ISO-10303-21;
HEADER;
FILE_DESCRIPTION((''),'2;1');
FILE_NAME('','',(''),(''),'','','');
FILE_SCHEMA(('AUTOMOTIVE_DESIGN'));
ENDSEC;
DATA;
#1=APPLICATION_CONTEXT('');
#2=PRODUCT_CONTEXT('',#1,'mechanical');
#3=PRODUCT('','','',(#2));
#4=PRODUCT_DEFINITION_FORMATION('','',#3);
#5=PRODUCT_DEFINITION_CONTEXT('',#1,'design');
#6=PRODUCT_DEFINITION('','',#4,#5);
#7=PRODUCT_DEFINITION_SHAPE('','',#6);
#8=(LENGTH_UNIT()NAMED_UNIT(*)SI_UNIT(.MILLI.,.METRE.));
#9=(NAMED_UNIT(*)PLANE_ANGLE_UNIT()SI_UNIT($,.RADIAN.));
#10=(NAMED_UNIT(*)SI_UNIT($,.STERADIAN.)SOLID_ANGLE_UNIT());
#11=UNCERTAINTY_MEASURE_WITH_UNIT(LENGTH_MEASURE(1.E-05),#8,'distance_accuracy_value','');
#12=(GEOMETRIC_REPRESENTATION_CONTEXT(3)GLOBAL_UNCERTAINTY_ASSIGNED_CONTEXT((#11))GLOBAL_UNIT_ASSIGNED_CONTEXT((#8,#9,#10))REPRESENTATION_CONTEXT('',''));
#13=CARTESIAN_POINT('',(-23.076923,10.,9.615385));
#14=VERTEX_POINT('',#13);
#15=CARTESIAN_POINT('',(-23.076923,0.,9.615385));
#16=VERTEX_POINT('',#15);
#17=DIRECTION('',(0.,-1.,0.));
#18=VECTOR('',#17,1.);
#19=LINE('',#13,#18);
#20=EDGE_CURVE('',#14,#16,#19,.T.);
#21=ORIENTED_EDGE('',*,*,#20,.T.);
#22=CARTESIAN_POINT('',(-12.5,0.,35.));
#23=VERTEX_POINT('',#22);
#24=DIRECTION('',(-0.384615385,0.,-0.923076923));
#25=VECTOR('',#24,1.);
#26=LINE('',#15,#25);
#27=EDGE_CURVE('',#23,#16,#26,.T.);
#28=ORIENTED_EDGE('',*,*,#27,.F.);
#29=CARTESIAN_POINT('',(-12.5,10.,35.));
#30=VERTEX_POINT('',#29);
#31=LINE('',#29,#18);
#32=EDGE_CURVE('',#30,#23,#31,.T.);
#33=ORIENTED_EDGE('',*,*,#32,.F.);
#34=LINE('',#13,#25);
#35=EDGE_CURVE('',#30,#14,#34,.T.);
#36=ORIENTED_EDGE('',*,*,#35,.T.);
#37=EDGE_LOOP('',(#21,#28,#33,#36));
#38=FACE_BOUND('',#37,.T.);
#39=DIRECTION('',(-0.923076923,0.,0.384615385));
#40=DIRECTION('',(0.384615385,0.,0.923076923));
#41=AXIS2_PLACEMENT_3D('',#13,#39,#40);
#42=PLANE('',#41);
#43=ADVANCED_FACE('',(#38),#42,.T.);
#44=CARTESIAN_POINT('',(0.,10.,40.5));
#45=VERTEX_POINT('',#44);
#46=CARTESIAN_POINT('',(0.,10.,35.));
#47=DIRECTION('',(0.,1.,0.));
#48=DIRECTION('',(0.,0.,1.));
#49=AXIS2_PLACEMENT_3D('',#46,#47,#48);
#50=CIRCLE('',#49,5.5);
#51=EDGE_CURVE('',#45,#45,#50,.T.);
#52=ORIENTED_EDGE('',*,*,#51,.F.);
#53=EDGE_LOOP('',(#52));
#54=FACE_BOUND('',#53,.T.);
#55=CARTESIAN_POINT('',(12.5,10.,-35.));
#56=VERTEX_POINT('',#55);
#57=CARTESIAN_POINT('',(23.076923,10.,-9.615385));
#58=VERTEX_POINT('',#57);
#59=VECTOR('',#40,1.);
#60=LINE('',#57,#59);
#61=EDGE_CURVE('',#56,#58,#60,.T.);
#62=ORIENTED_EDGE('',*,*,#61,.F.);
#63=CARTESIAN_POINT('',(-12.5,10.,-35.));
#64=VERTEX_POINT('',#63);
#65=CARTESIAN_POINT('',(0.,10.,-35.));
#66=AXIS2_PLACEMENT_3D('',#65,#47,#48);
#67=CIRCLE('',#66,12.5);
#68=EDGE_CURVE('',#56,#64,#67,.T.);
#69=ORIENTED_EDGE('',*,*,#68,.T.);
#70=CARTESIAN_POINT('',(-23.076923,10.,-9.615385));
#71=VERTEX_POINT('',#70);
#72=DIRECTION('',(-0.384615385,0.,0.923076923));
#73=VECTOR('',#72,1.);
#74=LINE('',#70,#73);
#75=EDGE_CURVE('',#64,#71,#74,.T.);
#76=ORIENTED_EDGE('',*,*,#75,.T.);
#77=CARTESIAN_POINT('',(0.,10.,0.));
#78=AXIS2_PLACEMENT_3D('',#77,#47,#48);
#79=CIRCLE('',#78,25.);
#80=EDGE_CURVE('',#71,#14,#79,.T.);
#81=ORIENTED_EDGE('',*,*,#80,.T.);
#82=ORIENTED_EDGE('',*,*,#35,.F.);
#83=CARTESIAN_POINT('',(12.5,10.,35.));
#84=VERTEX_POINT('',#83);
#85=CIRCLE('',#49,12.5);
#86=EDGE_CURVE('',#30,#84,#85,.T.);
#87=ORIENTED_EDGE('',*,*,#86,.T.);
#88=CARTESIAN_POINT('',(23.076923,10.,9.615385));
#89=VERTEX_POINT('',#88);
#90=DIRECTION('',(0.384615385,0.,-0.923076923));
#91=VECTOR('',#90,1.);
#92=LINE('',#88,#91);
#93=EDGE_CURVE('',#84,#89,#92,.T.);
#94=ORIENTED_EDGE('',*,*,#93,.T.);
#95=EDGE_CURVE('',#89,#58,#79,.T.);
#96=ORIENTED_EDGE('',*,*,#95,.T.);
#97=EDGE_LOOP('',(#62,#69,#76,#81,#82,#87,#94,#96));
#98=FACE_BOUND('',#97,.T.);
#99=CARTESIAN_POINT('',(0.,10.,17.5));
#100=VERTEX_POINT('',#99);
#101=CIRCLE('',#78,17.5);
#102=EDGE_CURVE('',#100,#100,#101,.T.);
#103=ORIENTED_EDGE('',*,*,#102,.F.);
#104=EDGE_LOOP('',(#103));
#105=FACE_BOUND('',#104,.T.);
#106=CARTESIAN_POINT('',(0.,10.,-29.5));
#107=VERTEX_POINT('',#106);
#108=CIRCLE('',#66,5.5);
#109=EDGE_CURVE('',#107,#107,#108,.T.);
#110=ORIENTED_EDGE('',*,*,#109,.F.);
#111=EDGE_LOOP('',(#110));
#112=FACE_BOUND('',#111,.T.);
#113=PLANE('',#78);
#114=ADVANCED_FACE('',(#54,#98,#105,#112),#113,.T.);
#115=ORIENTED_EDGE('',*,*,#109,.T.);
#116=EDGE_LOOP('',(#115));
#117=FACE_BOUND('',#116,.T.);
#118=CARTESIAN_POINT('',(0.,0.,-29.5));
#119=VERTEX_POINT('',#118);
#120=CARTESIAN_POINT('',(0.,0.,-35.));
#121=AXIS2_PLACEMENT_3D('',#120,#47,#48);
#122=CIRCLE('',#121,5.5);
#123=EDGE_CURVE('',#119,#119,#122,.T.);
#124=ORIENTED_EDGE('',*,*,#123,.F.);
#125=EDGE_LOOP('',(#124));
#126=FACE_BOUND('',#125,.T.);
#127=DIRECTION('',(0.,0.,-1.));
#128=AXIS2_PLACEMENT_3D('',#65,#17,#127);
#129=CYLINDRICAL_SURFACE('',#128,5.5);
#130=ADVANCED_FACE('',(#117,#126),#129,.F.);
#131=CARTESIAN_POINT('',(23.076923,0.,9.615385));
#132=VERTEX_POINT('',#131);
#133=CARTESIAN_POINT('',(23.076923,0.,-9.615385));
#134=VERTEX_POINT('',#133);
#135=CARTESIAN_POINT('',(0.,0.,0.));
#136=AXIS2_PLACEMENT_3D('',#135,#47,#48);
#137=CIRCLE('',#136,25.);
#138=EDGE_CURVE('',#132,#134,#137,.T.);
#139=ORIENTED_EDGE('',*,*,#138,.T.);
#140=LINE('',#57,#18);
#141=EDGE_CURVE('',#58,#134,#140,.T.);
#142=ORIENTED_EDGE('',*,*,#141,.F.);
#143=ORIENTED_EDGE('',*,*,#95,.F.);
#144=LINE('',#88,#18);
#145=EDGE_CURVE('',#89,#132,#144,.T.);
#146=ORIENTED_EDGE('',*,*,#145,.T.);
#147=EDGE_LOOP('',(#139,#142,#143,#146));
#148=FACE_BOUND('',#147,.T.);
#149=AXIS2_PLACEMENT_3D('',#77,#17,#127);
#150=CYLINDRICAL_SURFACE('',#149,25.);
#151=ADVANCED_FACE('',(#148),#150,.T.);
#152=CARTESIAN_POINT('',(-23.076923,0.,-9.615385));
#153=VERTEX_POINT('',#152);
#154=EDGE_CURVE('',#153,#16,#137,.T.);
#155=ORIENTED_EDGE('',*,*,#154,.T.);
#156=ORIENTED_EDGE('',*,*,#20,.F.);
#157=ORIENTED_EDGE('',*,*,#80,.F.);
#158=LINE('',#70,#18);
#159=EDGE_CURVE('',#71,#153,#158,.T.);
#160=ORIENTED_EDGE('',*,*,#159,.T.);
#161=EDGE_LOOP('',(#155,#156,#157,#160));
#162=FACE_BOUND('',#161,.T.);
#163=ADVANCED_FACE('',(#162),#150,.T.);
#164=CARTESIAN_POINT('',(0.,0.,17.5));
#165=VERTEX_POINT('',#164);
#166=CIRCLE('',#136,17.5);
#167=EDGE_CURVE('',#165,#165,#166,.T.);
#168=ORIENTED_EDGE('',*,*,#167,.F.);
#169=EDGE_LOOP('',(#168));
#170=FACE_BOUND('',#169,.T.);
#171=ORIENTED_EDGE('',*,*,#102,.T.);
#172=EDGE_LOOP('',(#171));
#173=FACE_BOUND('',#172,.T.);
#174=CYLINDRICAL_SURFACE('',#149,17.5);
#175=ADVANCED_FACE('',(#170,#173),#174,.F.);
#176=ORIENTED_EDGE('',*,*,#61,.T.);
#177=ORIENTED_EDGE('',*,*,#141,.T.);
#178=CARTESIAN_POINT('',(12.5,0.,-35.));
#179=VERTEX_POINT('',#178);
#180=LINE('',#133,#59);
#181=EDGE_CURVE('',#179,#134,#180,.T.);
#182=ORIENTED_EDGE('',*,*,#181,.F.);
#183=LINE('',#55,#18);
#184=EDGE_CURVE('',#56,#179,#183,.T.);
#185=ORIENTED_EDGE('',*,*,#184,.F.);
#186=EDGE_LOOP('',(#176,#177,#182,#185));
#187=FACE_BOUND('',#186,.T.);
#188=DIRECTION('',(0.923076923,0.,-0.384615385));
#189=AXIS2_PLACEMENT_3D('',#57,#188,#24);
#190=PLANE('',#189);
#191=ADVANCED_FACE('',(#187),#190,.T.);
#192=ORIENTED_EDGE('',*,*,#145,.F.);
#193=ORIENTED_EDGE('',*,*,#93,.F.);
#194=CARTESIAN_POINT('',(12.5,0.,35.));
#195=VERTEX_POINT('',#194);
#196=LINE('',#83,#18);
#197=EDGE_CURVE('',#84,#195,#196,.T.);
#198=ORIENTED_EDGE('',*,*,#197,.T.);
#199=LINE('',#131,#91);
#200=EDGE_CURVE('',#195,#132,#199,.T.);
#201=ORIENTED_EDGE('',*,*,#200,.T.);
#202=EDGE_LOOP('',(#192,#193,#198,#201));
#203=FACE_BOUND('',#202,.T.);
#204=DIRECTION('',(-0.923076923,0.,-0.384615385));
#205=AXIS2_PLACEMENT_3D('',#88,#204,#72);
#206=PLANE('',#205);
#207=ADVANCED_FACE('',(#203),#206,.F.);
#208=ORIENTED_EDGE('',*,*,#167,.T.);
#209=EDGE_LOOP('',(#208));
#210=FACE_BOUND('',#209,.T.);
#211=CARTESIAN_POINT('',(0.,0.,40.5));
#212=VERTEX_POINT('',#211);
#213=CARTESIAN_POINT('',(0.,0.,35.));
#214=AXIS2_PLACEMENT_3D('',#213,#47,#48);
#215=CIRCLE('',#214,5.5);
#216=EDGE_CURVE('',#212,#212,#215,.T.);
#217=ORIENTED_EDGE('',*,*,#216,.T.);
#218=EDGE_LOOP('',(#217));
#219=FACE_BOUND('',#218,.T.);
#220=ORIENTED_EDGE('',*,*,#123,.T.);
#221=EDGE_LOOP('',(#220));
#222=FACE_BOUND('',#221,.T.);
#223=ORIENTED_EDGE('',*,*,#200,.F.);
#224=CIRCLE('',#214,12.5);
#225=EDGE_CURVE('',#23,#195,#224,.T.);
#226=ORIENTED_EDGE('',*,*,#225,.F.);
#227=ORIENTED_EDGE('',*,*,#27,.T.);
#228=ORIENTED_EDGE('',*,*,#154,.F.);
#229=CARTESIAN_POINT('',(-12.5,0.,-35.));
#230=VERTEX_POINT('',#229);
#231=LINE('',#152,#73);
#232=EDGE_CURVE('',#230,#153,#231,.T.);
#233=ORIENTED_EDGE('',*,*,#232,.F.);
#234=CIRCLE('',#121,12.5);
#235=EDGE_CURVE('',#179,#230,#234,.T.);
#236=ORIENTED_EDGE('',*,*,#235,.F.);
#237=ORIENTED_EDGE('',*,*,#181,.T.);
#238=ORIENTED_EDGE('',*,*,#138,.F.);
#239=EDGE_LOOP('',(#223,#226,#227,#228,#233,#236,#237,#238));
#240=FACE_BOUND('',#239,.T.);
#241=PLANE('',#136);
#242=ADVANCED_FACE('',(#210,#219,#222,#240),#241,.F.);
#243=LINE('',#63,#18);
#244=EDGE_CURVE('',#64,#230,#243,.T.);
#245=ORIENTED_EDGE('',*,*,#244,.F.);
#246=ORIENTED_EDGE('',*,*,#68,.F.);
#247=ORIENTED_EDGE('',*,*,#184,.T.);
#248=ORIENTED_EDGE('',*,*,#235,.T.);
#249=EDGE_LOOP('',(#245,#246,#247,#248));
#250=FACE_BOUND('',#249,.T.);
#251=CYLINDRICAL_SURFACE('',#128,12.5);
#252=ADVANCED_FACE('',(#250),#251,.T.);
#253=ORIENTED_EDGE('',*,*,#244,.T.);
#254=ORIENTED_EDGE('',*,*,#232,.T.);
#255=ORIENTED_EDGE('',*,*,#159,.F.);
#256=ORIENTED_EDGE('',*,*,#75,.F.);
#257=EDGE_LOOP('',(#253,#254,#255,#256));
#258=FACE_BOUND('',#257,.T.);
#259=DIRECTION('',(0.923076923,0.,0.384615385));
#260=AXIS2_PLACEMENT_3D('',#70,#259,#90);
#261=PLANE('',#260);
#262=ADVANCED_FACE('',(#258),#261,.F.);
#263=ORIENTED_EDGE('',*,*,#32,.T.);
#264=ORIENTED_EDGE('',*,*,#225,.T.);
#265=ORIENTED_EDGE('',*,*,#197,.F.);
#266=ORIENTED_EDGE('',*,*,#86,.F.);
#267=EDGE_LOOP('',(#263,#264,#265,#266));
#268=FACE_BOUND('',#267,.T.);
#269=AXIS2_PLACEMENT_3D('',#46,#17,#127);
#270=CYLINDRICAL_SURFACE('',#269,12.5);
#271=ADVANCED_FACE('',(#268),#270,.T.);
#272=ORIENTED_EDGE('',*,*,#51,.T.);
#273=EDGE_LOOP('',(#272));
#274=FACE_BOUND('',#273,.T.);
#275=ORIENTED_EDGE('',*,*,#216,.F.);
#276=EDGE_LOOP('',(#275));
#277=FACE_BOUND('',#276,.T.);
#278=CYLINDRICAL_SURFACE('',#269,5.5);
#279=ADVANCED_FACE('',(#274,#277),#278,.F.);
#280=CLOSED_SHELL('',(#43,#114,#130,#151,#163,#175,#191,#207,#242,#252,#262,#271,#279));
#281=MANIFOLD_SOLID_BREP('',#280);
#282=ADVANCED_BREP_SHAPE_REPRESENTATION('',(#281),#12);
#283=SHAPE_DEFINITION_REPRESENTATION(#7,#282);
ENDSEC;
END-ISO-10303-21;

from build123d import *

# Parameters (mm, degrees)
SKETCH2_R           = 20
SKETCH2_R_2         = 5.5
SKETCH2_R_3         = 17.5
BOSS_EXTRUDE3_DEPTH = 10


with BuildPart() as part:
    # Sketch2 → Boss-Extrude3 (new body)
    # profile 1 of 2: a face of its own
    with BuildSketch(Plane(origin=(0, 0, 0), x_dir=(1, 0, 0), z_dir=(0, 1, 0))):
        with BuildLine():
            Line((-12.5, 35), (-23.076923077, 9.615384615))
            ThreePointArc((-23.076923077, 9.615384615), (-25, 0), (-23.076923077, -9.615384615))
            Line((-23.076923077, -9.615384615), (-12.5, -35))
            ThreePointArc((-12.5, -35), (0, -47.5), (12.5, -35))
            Line((12.5, -35), (23.076923077, -9.615384615))
            ThreePointArc((23.076923077, -9.615384615), (25, 0), (23.076923077, 9.615384615))
            Line((23.076923077, 9.615384615), (12.5, 35))
            ThreePointArc((12.5, 35), (0, 47.5), (-12.5, 35))
        make_face()
        Circle(SKETCH2_R, mode=Mode.SUBTRACT)
        with Locations(Location((0, 35, 0), (0, 0, 270))):
            Circle(SKETCH2_R_2, mode=Mode.SUBTRACT)
        with Locations(Location((0, -35, 0), (0, 0, 270))):
            Circle(SKETCH2_R_2, mode=Mode.SUBTRACT)
    # profile 2 of 2: a face of its own
    with BuildSketch(Plane(origin=(0, 0, 0), x_dir=(1, 0, 0), z_dir=(0, 1, 0))):
        Circle(SKETCH2_R)
        with Locations(Location((0, 0, 0), (0, 0, 270))):
            Circle(SKETCH2_R_3, mode=Mode.SUBTRACT)
    extrude(amount=BOSS_EXTRUDE3_DEPTH)


solid = part.part
